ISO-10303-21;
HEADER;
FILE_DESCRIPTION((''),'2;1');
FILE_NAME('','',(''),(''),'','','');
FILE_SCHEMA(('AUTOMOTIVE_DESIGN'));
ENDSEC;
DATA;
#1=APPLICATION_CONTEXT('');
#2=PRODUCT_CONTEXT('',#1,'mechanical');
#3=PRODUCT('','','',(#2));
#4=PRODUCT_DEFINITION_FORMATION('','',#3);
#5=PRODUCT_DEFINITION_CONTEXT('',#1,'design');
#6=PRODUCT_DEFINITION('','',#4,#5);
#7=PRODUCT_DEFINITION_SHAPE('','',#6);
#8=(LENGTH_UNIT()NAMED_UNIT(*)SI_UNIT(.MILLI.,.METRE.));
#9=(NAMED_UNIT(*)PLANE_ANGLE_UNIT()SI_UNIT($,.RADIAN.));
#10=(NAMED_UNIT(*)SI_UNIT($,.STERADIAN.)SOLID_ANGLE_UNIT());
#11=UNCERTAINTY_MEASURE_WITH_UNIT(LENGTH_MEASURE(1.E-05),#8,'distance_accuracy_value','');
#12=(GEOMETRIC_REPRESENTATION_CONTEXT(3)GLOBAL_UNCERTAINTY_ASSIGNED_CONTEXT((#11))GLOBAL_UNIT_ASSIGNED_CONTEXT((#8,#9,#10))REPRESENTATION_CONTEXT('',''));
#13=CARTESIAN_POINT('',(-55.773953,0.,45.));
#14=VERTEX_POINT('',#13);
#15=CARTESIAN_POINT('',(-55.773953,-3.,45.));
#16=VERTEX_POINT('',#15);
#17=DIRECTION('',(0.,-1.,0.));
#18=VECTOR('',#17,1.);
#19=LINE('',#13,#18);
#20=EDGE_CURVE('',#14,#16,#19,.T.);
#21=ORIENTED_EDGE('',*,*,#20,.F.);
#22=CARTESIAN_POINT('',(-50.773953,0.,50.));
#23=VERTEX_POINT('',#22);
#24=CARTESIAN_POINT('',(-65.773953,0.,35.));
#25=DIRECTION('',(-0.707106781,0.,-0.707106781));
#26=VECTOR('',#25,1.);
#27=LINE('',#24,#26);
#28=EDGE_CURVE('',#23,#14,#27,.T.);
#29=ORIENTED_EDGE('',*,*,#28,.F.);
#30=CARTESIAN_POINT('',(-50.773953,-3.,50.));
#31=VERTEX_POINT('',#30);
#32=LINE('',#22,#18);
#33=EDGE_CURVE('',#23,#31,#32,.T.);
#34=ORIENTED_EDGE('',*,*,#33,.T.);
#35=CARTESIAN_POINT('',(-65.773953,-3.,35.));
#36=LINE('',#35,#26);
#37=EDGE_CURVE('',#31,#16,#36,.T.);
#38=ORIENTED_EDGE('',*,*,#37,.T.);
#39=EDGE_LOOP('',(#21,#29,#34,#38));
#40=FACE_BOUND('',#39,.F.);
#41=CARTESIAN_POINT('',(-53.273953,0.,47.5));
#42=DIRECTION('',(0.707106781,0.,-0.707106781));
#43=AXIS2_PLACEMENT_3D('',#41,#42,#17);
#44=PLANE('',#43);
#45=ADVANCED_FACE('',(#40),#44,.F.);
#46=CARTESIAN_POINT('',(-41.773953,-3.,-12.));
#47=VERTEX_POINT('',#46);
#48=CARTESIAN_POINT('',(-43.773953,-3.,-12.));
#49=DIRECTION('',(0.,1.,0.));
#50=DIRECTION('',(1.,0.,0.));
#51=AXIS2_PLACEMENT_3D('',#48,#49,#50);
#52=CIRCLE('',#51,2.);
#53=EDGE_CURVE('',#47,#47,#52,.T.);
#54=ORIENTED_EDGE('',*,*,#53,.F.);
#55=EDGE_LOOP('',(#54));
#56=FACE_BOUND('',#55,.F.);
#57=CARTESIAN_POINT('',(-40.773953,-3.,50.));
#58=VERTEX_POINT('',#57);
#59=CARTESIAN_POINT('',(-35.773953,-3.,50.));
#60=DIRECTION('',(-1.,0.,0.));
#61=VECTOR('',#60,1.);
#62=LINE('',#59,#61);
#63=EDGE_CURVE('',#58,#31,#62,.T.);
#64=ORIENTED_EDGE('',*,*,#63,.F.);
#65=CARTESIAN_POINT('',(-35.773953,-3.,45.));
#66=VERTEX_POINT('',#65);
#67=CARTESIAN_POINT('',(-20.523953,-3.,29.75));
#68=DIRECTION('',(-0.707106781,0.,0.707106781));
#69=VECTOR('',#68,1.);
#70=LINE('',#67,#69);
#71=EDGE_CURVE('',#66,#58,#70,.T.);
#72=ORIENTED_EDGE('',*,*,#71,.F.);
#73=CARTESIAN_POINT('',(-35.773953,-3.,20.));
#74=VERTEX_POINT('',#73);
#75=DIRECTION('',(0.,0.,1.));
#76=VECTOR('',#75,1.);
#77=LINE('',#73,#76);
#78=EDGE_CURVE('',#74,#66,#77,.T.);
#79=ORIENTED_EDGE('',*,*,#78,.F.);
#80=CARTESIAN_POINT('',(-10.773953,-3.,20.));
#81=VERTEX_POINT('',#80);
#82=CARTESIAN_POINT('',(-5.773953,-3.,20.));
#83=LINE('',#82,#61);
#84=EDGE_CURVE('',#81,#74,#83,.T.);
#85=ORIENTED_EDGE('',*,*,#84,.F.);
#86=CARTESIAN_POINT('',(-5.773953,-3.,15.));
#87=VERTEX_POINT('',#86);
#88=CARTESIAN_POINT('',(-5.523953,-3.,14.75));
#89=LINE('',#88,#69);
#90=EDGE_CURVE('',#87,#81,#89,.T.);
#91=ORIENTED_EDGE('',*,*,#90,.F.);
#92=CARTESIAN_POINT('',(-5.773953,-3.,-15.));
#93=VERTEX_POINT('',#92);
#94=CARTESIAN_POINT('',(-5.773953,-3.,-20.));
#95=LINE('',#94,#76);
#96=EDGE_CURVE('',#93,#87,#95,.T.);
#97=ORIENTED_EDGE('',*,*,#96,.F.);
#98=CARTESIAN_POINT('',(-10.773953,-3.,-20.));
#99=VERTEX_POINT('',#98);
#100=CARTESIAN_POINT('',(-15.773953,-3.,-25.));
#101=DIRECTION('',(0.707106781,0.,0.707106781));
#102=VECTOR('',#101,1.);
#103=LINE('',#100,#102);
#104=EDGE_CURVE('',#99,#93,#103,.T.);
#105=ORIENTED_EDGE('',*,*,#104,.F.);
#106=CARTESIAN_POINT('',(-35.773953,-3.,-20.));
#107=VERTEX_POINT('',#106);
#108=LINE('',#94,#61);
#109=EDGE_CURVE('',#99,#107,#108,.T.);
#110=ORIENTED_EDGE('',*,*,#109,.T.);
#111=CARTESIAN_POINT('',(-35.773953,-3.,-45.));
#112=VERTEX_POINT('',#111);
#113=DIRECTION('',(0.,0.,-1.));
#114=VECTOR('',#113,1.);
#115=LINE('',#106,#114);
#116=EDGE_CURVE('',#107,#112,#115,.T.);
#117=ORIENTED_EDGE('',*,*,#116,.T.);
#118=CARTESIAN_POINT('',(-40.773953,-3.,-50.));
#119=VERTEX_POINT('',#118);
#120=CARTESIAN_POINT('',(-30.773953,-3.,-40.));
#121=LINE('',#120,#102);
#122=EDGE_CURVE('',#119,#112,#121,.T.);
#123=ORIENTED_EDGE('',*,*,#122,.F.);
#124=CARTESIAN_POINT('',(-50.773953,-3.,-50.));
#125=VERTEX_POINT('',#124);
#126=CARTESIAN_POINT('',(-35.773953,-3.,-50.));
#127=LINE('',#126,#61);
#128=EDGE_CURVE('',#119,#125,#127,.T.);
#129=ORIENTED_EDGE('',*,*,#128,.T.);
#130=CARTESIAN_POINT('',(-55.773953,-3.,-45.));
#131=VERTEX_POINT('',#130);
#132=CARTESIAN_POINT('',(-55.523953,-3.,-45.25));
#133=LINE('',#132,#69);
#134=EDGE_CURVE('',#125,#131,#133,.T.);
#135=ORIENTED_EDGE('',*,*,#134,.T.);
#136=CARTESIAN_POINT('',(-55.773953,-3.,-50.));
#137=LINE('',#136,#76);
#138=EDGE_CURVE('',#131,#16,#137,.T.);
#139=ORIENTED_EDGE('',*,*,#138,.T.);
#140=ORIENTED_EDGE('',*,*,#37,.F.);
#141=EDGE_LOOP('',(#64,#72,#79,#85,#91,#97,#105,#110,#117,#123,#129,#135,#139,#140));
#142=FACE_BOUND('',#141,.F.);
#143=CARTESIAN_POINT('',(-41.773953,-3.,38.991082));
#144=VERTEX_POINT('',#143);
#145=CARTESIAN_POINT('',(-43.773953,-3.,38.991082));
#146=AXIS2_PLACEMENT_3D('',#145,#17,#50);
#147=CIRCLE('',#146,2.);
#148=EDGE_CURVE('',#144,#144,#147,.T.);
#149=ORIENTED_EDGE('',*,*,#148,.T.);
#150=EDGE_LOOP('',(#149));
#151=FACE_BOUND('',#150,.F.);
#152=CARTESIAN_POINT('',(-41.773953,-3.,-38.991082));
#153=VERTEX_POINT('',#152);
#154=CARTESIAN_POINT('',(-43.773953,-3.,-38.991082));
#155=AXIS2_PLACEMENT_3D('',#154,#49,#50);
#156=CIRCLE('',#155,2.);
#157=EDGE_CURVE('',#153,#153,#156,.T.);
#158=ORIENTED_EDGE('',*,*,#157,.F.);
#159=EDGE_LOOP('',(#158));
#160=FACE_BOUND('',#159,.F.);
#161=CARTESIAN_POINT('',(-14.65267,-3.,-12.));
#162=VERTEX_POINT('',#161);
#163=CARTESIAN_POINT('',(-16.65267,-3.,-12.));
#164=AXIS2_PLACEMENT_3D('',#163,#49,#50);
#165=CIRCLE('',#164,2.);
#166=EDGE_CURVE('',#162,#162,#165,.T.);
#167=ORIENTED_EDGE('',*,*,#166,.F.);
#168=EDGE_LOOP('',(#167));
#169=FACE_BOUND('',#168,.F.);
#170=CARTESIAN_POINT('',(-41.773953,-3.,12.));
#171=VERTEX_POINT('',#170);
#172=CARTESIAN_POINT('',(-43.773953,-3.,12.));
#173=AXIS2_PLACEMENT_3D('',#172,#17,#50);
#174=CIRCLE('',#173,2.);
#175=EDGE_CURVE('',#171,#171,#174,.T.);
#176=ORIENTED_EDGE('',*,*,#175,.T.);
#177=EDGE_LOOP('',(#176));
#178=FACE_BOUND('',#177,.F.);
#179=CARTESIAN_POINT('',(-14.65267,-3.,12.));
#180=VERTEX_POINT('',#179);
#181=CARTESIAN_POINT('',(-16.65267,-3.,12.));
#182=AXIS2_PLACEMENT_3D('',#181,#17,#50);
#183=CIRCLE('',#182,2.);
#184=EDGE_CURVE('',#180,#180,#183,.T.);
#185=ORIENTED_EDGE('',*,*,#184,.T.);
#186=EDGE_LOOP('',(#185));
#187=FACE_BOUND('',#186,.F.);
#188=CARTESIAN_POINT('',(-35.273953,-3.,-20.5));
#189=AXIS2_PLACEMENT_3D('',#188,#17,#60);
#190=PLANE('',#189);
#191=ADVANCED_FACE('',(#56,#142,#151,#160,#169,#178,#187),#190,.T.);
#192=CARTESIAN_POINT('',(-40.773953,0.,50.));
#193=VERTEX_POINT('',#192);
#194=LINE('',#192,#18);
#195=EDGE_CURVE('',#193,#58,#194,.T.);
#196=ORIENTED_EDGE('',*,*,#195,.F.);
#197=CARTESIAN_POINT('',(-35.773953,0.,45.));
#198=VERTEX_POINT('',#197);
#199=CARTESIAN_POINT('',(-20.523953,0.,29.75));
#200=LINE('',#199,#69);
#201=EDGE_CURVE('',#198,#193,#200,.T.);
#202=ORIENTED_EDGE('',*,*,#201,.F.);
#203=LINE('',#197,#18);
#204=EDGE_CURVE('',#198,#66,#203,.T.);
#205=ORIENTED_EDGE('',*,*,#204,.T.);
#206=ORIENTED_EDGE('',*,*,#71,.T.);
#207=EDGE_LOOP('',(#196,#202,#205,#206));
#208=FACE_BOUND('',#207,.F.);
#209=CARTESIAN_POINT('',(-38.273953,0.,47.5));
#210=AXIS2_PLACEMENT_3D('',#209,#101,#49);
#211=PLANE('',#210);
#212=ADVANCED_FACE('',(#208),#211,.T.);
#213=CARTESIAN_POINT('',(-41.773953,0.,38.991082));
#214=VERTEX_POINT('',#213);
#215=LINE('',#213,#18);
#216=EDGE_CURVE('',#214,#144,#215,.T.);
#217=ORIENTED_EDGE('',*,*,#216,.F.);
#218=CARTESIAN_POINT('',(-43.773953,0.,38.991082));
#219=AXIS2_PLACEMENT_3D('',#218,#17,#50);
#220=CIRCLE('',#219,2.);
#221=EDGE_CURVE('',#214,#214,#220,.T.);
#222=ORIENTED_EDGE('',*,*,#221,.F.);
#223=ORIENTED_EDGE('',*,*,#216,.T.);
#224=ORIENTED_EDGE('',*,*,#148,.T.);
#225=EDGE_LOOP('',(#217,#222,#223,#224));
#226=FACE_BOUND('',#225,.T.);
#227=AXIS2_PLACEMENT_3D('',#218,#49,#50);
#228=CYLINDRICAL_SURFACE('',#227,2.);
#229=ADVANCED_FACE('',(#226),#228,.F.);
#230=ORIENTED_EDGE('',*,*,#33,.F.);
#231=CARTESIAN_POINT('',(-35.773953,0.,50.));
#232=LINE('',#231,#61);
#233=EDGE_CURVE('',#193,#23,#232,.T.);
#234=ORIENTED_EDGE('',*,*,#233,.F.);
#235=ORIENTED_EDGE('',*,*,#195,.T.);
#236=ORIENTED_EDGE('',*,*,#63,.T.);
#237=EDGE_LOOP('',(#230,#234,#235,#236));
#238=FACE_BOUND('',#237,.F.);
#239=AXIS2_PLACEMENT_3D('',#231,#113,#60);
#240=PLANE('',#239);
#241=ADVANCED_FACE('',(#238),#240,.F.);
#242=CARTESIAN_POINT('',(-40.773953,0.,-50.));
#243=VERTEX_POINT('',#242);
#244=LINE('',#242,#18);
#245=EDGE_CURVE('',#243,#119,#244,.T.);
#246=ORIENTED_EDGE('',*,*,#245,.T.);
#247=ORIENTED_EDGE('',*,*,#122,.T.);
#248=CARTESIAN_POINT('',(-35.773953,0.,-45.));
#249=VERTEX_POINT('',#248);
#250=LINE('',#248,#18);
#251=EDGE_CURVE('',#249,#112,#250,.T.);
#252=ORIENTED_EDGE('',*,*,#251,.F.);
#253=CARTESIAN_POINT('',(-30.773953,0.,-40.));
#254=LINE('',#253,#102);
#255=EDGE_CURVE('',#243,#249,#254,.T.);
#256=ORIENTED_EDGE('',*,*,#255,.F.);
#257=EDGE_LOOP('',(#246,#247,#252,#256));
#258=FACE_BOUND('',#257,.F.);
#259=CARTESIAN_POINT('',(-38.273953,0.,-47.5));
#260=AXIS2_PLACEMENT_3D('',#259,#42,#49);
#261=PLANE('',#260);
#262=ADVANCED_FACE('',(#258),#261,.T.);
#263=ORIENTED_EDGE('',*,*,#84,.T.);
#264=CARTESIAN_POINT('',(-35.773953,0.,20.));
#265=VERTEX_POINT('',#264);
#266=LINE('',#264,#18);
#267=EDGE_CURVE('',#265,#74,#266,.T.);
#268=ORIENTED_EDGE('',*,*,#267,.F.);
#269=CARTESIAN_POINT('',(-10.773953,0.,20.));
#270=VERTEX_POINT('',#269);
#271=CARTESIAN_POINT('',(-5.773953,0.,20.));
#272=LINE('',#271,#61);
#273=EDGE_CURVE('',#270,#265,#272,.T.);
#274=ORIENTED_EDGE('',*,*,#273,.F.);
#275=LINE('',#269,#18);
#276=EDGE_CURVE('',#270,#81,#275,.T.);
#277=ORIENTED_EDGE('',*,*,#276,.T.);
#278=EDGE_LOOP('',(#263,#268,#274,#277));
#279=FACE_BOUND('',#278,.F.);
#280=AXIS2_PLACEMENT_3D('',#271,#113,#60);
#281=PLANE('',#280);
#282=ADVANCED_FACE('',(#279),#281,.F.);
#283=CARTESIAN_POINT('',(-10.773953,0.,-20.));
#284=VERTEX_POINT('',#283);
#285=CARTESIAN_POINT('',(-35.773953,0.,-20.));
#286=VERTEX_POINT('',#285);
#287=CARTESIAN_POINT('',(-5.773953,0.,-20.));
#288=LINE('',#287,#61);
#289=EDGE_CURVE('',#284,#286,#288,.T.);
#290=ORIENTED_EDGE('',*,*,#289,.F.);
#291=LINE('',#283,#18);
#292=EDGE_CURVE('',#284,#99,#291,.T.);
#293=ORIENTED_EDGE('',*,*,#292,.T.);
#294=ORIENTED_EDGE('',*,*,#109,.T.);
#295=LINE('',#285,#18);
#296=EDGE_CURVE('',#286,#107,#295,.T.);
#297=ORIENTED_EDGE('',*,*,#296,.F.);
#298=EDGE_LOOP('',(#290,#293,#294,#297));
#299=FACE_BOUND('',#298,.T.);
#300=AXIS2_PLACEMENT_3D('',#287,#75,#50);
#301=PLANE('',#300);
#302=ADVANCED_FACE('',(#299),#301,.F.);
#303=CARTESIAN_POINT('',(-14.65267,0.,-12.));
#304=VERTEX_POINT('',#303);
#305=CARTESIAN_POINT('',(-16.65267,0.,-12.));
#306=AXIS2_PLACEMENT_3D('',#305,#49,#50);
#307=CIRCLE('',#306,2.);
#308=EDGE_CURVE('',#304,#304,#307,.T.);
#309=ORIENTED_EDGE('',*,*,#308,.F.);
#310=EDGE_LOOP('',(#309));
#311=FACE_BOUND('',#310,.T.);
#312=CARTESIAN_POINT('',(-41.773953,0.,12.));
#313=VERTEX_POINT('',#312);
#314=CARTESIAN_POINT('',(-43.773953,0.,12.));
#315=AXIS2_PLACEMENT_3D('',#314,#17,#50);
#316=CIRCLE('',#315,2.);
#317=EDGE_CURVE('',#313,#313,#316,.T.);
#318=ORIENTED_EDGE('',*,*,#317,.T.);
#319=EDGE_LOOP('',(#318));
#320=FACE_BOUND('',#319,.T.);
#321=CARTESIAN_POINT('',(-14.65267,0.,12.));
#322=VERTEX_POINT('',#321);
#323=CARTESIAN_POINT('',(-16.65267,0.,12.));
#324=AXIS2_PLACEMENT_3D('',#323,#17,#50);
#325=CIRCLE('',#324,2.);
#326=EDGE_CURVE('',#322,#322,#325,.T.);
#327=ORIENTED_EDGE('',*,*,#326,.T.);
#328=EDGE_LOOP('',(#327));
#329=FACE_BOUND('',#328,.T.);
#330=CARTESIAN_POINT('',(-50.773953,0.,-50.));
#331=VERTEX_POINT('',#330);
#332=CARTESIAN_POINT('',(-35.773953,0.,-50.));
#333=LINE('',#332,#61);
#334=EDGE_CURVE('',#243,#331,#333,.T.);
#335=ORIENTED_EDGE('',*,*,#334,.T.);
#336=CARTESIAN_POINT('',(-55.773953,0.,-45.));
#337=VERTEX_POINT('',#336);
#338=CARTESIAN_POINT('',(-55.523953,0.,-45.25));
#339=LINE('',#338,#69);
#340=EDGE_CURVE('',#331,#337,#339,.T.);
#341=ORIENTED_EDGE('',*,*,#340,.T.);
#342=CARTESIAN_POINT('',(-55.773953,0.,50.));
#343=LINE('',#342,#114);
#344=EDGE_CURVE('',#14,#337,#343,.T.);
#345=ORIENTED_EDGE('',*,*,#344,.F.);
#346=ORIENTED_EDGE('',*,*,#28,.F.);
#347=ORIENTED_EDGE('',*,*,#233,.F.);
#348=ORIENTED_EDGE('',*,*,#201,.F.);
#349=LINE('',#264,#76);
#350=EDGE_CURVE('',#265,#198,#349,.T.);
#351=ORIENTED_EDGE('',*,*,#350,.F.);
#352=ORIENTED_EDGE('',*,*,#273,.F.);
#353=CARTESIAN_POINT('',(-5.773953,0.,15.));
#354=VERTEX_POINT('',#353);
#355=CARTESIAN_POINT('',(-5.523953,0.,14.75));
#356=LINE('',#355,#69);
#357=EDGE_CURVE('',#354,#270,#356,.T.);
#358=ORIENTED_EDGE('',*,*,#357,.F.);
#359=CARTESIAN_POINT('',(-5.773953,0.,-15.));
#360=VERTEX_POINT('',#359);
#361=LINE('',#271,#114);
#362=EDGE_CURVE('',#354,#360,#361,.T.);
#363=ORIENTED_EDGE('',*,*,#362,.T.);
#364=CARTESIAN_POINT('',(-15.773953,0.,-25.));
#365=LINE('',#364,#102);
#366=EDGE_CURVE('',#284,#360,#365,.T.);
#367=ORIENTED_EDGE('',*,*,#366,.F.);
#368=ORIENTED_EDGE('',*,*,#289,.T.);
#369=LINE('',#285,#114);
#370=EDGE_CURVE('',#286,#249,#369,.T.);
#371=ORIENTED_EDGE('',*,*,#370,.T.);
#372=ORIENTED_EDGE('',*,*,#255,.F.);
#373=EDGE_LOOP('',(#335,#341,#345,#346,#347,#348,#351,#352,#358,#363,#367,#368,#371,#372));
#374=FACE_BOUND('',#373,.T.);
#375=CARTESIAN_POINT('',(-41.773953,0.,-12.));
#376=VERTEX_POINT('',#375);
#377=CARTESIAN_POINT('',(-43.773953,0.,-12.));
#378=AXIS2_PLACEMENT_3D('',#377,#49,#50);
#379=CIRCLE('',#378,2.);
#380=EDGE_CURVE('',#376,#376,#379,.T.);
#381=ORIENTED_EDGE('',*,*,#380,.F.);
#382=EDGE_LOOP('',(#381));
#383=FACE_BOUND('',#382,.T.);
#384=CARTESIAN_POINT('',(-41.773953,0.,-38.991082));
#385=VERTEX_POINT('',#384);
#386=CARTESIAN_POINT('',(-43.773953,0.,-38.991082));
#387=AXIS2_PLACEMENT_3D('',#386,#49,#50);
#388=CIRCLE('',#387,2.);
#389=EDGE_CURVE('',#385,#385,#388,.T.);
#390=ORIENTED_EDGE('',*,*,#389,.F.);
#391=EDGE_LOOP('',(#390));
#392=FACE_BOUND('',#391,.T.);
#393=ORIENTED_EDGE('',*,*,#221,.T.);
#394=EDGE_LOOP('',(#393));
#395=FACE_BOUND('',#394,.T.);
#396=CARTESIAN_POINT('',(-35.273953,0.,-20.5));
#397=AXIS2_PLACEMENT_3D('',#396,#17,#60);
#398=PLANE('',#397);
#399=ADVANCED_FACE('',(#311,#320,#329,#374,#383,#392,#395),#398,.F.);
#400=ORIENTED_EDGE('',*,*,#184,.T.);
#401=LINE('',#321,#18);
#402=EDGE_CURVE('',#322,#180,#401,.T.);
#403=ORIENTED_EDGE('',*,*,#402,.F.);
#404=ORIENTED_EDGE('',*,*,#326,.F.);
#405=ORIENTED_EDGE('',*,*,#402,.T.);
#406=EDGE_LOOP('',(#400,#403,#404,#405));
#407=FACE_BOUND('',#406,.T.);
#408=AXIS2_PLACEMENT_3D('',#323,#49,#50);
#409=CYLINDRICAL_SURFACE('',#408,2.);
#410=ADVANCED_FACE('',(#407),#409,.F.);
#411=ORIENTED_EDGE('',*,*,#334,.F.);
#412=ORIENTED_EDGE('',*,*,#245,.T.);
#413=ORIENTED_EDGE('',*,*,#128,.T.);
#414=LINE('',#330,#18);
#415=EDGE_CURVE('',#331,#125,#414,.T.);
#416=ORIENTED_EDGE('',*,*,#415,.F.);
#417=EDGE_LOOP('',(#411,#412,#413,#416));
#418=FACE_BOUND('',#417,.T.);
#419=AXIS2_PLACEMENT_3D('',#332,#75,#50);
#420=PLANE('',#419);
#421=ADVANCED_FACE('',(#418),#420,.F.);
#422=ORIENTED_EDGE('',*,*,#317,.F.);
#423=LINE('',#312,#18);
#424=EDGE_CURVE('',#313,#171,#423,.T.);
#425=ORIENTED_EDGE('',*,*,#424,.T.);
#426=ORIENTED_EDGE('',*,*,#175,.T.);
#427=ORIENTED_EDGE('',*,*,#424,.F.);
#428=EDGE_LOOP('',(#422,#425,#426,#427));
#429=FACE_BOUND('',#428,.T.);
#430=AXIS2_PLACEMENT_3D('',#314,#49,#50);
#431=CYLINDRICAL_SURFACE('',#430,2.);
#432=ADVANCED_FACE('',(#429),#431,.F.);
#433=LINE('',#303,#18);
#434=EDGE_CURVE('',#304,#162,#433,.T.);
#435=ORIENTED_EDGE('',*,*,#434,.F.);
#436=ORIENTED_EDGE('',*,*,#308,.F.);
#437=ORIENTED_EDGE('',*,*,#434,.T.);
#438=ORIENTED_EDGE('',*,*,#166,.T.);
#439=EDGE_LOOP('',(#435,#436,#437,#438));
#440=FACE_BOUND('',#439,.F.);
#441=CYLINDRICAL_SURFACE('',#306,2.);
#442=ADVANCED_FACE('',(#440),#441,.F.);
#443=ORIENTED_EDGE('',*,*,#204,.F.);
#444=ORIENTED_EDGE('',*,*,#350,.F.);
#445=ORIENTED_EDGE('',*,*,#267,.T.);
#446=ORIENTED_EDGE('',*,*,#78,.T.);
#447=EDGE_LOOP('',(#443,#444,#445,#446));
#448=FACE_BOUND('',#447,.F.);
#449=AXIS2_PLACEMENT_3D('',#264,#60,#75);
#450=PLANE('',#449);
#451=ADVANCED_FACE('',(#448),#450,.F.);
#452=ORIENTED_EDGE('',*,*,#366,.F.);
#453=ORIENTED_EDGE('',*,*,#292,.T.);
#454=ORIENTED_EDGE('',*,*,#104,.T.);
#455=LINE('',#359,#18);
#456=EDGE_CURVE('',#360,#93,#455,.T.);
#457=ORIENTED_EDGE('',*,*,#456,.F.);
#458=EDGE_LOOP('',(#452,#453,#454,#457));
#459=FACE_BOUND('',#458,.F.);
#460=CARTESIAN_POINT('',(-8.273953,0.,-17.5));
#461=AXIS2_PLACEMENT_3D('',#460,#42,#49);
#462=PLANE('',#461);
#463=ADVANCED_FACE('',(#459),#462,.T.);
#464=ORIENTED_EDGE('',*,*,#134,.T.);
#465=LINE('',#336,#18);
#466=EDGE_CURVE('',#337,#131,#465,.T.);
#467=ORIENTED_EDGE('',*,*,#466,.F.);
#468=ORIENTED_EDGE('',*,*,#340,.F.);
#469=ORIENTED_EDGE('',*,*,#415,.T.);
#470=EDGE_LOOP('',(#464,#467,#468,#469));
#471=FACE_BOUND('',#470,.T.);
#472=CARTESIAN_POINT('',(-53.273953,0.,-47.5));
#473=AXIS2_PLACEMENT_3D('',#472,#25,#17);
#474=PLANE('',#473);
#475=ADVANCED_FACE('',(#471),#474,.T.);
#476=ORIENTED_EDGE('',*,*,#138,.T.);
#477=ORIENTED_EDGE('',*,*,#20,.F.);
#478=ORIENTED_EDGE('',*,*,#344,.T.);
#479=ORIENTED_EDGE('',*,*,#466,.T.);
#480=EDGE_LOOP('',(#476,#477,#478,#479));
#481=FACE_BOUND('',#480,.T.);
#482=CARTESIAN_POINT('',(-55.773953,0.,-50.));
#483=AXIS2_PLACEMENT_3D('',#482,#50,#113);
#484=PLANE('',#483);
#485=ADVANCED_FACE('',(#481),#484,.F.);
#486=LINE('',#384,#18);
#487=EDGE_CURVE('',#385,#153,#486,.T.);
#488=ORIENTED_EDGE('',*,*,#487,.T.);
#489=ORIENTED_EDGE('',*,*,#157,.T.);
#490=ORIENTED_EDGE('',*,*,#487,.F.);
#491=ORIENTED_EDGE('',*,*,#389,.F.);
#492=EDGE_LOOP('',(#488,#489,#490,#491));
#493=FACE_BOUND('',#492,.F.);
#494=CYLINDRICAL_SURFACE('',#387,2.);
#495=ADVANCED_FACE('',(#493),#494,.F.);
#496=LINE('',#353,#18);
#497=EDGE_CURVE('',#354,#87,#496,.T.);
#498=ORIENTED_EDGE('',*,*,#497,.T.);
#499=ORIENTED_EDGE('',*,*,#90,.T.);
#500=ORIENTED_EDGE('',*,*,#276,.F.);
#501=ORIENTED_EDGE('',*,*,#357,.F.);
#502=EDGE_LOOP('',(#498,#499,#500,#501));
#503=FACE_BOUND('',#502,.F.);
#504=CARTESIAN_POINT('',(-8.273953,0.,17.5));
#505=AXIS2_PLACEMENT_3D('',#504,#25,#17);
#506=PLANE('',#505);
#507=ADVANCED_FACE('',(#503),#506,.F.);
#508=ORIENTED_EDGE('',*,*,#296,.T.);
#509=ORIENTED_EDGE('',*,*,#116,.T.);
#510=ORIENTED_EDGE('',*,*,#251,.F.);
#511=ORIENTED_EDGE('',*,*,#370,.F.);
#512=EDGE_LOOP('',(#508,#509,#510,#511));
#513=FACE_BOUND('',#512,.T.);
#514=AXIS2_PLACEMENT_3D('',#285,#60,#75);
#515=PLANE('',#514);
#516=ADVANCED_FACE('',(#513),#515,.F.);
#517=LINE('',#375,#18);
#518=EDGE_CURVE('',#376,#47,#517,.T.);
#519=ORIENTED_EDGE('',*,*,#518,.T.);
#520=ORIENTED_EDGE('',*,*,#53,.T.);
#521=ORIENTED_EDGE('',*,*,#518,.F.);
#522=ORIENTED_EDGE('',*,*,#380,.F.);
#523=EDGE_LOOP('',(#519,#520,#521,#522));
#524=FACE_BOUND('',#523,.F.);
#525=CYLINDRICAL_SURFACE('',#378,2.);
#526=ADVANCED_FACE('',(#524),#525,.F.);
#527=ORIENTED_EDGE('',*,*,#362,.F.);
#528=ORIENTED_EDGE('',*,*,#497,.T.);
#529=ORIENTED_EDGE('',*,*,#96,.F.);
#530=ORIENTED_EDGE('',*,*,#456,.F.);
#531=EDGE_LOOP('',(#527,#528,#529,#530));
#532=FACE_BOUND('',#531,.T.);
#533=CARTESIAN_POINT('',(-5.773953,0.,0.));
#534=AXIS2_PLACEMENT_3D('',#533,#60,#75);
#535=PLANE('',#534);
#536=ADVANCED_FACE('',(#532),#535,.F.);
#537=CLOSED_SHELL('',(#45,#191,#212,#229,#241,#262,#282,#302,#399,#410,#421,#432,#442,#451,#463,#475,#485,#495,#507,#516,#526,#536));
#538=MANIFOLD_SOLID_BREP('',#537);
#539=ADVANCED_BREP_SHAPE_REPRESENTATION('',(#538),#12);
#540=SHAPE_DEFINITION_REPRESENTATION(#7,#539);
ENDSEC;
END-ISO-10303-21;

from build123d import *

# Parameters (mm, degrees)
F0_R     = 2
F1_DEPTH = 3
F3_SIZE  = 5


with BuildPart() as f1:
    # F0 (on Front) → F1 (new body)
    with BuildSketch(Plane.XZ):
        Polygon((-35.7739527003, 50), (-55.7739527003, 50), (-55.7739527003, 0), (-5.7739527003, 0), (-5.7739527003, 20), (-35.7739527003, 20), align=None)
        with Locations((-43.7739527003, 12)):
            Circle(F0_R, mode=Mode.SUBTRACT)
        with Locations((-16.6526697576, 12)):
            Circle(F0_R, mode=Mode.SUBTRACT)
        with Locations((-43.7739527003, 38.9910824597)):
            Circle(F0_R, mode=Mode.SUBTRACT)
    extrude(amount=F1_DEPTH)

    # F2: F1 across face


with BuildPart() as f1_1:
    add(f1.part)
    add(f1.part.mirror(Plane(origin=(-30.7739527003, -1.5, 0), x_dir=(1, 0, 0), z_dir=(0, 0, -1))))

    # F3
    f3_edges = [f1_1.edges().sort_by_distance(p)[0] for p in [
        (-5.773953, -1.5, 20),
        (-5.773953, -1.5, -20),
        (-35.773953, -1.5, 50),
        (-35.773953, -1.5, -50),
        (-55.773953, -1.5, 50),
        (-55.773953, -1.5, -50),
    ]]
    chamfer(f3_edges, length=F3_SIZE)


solid = f1_1.part
